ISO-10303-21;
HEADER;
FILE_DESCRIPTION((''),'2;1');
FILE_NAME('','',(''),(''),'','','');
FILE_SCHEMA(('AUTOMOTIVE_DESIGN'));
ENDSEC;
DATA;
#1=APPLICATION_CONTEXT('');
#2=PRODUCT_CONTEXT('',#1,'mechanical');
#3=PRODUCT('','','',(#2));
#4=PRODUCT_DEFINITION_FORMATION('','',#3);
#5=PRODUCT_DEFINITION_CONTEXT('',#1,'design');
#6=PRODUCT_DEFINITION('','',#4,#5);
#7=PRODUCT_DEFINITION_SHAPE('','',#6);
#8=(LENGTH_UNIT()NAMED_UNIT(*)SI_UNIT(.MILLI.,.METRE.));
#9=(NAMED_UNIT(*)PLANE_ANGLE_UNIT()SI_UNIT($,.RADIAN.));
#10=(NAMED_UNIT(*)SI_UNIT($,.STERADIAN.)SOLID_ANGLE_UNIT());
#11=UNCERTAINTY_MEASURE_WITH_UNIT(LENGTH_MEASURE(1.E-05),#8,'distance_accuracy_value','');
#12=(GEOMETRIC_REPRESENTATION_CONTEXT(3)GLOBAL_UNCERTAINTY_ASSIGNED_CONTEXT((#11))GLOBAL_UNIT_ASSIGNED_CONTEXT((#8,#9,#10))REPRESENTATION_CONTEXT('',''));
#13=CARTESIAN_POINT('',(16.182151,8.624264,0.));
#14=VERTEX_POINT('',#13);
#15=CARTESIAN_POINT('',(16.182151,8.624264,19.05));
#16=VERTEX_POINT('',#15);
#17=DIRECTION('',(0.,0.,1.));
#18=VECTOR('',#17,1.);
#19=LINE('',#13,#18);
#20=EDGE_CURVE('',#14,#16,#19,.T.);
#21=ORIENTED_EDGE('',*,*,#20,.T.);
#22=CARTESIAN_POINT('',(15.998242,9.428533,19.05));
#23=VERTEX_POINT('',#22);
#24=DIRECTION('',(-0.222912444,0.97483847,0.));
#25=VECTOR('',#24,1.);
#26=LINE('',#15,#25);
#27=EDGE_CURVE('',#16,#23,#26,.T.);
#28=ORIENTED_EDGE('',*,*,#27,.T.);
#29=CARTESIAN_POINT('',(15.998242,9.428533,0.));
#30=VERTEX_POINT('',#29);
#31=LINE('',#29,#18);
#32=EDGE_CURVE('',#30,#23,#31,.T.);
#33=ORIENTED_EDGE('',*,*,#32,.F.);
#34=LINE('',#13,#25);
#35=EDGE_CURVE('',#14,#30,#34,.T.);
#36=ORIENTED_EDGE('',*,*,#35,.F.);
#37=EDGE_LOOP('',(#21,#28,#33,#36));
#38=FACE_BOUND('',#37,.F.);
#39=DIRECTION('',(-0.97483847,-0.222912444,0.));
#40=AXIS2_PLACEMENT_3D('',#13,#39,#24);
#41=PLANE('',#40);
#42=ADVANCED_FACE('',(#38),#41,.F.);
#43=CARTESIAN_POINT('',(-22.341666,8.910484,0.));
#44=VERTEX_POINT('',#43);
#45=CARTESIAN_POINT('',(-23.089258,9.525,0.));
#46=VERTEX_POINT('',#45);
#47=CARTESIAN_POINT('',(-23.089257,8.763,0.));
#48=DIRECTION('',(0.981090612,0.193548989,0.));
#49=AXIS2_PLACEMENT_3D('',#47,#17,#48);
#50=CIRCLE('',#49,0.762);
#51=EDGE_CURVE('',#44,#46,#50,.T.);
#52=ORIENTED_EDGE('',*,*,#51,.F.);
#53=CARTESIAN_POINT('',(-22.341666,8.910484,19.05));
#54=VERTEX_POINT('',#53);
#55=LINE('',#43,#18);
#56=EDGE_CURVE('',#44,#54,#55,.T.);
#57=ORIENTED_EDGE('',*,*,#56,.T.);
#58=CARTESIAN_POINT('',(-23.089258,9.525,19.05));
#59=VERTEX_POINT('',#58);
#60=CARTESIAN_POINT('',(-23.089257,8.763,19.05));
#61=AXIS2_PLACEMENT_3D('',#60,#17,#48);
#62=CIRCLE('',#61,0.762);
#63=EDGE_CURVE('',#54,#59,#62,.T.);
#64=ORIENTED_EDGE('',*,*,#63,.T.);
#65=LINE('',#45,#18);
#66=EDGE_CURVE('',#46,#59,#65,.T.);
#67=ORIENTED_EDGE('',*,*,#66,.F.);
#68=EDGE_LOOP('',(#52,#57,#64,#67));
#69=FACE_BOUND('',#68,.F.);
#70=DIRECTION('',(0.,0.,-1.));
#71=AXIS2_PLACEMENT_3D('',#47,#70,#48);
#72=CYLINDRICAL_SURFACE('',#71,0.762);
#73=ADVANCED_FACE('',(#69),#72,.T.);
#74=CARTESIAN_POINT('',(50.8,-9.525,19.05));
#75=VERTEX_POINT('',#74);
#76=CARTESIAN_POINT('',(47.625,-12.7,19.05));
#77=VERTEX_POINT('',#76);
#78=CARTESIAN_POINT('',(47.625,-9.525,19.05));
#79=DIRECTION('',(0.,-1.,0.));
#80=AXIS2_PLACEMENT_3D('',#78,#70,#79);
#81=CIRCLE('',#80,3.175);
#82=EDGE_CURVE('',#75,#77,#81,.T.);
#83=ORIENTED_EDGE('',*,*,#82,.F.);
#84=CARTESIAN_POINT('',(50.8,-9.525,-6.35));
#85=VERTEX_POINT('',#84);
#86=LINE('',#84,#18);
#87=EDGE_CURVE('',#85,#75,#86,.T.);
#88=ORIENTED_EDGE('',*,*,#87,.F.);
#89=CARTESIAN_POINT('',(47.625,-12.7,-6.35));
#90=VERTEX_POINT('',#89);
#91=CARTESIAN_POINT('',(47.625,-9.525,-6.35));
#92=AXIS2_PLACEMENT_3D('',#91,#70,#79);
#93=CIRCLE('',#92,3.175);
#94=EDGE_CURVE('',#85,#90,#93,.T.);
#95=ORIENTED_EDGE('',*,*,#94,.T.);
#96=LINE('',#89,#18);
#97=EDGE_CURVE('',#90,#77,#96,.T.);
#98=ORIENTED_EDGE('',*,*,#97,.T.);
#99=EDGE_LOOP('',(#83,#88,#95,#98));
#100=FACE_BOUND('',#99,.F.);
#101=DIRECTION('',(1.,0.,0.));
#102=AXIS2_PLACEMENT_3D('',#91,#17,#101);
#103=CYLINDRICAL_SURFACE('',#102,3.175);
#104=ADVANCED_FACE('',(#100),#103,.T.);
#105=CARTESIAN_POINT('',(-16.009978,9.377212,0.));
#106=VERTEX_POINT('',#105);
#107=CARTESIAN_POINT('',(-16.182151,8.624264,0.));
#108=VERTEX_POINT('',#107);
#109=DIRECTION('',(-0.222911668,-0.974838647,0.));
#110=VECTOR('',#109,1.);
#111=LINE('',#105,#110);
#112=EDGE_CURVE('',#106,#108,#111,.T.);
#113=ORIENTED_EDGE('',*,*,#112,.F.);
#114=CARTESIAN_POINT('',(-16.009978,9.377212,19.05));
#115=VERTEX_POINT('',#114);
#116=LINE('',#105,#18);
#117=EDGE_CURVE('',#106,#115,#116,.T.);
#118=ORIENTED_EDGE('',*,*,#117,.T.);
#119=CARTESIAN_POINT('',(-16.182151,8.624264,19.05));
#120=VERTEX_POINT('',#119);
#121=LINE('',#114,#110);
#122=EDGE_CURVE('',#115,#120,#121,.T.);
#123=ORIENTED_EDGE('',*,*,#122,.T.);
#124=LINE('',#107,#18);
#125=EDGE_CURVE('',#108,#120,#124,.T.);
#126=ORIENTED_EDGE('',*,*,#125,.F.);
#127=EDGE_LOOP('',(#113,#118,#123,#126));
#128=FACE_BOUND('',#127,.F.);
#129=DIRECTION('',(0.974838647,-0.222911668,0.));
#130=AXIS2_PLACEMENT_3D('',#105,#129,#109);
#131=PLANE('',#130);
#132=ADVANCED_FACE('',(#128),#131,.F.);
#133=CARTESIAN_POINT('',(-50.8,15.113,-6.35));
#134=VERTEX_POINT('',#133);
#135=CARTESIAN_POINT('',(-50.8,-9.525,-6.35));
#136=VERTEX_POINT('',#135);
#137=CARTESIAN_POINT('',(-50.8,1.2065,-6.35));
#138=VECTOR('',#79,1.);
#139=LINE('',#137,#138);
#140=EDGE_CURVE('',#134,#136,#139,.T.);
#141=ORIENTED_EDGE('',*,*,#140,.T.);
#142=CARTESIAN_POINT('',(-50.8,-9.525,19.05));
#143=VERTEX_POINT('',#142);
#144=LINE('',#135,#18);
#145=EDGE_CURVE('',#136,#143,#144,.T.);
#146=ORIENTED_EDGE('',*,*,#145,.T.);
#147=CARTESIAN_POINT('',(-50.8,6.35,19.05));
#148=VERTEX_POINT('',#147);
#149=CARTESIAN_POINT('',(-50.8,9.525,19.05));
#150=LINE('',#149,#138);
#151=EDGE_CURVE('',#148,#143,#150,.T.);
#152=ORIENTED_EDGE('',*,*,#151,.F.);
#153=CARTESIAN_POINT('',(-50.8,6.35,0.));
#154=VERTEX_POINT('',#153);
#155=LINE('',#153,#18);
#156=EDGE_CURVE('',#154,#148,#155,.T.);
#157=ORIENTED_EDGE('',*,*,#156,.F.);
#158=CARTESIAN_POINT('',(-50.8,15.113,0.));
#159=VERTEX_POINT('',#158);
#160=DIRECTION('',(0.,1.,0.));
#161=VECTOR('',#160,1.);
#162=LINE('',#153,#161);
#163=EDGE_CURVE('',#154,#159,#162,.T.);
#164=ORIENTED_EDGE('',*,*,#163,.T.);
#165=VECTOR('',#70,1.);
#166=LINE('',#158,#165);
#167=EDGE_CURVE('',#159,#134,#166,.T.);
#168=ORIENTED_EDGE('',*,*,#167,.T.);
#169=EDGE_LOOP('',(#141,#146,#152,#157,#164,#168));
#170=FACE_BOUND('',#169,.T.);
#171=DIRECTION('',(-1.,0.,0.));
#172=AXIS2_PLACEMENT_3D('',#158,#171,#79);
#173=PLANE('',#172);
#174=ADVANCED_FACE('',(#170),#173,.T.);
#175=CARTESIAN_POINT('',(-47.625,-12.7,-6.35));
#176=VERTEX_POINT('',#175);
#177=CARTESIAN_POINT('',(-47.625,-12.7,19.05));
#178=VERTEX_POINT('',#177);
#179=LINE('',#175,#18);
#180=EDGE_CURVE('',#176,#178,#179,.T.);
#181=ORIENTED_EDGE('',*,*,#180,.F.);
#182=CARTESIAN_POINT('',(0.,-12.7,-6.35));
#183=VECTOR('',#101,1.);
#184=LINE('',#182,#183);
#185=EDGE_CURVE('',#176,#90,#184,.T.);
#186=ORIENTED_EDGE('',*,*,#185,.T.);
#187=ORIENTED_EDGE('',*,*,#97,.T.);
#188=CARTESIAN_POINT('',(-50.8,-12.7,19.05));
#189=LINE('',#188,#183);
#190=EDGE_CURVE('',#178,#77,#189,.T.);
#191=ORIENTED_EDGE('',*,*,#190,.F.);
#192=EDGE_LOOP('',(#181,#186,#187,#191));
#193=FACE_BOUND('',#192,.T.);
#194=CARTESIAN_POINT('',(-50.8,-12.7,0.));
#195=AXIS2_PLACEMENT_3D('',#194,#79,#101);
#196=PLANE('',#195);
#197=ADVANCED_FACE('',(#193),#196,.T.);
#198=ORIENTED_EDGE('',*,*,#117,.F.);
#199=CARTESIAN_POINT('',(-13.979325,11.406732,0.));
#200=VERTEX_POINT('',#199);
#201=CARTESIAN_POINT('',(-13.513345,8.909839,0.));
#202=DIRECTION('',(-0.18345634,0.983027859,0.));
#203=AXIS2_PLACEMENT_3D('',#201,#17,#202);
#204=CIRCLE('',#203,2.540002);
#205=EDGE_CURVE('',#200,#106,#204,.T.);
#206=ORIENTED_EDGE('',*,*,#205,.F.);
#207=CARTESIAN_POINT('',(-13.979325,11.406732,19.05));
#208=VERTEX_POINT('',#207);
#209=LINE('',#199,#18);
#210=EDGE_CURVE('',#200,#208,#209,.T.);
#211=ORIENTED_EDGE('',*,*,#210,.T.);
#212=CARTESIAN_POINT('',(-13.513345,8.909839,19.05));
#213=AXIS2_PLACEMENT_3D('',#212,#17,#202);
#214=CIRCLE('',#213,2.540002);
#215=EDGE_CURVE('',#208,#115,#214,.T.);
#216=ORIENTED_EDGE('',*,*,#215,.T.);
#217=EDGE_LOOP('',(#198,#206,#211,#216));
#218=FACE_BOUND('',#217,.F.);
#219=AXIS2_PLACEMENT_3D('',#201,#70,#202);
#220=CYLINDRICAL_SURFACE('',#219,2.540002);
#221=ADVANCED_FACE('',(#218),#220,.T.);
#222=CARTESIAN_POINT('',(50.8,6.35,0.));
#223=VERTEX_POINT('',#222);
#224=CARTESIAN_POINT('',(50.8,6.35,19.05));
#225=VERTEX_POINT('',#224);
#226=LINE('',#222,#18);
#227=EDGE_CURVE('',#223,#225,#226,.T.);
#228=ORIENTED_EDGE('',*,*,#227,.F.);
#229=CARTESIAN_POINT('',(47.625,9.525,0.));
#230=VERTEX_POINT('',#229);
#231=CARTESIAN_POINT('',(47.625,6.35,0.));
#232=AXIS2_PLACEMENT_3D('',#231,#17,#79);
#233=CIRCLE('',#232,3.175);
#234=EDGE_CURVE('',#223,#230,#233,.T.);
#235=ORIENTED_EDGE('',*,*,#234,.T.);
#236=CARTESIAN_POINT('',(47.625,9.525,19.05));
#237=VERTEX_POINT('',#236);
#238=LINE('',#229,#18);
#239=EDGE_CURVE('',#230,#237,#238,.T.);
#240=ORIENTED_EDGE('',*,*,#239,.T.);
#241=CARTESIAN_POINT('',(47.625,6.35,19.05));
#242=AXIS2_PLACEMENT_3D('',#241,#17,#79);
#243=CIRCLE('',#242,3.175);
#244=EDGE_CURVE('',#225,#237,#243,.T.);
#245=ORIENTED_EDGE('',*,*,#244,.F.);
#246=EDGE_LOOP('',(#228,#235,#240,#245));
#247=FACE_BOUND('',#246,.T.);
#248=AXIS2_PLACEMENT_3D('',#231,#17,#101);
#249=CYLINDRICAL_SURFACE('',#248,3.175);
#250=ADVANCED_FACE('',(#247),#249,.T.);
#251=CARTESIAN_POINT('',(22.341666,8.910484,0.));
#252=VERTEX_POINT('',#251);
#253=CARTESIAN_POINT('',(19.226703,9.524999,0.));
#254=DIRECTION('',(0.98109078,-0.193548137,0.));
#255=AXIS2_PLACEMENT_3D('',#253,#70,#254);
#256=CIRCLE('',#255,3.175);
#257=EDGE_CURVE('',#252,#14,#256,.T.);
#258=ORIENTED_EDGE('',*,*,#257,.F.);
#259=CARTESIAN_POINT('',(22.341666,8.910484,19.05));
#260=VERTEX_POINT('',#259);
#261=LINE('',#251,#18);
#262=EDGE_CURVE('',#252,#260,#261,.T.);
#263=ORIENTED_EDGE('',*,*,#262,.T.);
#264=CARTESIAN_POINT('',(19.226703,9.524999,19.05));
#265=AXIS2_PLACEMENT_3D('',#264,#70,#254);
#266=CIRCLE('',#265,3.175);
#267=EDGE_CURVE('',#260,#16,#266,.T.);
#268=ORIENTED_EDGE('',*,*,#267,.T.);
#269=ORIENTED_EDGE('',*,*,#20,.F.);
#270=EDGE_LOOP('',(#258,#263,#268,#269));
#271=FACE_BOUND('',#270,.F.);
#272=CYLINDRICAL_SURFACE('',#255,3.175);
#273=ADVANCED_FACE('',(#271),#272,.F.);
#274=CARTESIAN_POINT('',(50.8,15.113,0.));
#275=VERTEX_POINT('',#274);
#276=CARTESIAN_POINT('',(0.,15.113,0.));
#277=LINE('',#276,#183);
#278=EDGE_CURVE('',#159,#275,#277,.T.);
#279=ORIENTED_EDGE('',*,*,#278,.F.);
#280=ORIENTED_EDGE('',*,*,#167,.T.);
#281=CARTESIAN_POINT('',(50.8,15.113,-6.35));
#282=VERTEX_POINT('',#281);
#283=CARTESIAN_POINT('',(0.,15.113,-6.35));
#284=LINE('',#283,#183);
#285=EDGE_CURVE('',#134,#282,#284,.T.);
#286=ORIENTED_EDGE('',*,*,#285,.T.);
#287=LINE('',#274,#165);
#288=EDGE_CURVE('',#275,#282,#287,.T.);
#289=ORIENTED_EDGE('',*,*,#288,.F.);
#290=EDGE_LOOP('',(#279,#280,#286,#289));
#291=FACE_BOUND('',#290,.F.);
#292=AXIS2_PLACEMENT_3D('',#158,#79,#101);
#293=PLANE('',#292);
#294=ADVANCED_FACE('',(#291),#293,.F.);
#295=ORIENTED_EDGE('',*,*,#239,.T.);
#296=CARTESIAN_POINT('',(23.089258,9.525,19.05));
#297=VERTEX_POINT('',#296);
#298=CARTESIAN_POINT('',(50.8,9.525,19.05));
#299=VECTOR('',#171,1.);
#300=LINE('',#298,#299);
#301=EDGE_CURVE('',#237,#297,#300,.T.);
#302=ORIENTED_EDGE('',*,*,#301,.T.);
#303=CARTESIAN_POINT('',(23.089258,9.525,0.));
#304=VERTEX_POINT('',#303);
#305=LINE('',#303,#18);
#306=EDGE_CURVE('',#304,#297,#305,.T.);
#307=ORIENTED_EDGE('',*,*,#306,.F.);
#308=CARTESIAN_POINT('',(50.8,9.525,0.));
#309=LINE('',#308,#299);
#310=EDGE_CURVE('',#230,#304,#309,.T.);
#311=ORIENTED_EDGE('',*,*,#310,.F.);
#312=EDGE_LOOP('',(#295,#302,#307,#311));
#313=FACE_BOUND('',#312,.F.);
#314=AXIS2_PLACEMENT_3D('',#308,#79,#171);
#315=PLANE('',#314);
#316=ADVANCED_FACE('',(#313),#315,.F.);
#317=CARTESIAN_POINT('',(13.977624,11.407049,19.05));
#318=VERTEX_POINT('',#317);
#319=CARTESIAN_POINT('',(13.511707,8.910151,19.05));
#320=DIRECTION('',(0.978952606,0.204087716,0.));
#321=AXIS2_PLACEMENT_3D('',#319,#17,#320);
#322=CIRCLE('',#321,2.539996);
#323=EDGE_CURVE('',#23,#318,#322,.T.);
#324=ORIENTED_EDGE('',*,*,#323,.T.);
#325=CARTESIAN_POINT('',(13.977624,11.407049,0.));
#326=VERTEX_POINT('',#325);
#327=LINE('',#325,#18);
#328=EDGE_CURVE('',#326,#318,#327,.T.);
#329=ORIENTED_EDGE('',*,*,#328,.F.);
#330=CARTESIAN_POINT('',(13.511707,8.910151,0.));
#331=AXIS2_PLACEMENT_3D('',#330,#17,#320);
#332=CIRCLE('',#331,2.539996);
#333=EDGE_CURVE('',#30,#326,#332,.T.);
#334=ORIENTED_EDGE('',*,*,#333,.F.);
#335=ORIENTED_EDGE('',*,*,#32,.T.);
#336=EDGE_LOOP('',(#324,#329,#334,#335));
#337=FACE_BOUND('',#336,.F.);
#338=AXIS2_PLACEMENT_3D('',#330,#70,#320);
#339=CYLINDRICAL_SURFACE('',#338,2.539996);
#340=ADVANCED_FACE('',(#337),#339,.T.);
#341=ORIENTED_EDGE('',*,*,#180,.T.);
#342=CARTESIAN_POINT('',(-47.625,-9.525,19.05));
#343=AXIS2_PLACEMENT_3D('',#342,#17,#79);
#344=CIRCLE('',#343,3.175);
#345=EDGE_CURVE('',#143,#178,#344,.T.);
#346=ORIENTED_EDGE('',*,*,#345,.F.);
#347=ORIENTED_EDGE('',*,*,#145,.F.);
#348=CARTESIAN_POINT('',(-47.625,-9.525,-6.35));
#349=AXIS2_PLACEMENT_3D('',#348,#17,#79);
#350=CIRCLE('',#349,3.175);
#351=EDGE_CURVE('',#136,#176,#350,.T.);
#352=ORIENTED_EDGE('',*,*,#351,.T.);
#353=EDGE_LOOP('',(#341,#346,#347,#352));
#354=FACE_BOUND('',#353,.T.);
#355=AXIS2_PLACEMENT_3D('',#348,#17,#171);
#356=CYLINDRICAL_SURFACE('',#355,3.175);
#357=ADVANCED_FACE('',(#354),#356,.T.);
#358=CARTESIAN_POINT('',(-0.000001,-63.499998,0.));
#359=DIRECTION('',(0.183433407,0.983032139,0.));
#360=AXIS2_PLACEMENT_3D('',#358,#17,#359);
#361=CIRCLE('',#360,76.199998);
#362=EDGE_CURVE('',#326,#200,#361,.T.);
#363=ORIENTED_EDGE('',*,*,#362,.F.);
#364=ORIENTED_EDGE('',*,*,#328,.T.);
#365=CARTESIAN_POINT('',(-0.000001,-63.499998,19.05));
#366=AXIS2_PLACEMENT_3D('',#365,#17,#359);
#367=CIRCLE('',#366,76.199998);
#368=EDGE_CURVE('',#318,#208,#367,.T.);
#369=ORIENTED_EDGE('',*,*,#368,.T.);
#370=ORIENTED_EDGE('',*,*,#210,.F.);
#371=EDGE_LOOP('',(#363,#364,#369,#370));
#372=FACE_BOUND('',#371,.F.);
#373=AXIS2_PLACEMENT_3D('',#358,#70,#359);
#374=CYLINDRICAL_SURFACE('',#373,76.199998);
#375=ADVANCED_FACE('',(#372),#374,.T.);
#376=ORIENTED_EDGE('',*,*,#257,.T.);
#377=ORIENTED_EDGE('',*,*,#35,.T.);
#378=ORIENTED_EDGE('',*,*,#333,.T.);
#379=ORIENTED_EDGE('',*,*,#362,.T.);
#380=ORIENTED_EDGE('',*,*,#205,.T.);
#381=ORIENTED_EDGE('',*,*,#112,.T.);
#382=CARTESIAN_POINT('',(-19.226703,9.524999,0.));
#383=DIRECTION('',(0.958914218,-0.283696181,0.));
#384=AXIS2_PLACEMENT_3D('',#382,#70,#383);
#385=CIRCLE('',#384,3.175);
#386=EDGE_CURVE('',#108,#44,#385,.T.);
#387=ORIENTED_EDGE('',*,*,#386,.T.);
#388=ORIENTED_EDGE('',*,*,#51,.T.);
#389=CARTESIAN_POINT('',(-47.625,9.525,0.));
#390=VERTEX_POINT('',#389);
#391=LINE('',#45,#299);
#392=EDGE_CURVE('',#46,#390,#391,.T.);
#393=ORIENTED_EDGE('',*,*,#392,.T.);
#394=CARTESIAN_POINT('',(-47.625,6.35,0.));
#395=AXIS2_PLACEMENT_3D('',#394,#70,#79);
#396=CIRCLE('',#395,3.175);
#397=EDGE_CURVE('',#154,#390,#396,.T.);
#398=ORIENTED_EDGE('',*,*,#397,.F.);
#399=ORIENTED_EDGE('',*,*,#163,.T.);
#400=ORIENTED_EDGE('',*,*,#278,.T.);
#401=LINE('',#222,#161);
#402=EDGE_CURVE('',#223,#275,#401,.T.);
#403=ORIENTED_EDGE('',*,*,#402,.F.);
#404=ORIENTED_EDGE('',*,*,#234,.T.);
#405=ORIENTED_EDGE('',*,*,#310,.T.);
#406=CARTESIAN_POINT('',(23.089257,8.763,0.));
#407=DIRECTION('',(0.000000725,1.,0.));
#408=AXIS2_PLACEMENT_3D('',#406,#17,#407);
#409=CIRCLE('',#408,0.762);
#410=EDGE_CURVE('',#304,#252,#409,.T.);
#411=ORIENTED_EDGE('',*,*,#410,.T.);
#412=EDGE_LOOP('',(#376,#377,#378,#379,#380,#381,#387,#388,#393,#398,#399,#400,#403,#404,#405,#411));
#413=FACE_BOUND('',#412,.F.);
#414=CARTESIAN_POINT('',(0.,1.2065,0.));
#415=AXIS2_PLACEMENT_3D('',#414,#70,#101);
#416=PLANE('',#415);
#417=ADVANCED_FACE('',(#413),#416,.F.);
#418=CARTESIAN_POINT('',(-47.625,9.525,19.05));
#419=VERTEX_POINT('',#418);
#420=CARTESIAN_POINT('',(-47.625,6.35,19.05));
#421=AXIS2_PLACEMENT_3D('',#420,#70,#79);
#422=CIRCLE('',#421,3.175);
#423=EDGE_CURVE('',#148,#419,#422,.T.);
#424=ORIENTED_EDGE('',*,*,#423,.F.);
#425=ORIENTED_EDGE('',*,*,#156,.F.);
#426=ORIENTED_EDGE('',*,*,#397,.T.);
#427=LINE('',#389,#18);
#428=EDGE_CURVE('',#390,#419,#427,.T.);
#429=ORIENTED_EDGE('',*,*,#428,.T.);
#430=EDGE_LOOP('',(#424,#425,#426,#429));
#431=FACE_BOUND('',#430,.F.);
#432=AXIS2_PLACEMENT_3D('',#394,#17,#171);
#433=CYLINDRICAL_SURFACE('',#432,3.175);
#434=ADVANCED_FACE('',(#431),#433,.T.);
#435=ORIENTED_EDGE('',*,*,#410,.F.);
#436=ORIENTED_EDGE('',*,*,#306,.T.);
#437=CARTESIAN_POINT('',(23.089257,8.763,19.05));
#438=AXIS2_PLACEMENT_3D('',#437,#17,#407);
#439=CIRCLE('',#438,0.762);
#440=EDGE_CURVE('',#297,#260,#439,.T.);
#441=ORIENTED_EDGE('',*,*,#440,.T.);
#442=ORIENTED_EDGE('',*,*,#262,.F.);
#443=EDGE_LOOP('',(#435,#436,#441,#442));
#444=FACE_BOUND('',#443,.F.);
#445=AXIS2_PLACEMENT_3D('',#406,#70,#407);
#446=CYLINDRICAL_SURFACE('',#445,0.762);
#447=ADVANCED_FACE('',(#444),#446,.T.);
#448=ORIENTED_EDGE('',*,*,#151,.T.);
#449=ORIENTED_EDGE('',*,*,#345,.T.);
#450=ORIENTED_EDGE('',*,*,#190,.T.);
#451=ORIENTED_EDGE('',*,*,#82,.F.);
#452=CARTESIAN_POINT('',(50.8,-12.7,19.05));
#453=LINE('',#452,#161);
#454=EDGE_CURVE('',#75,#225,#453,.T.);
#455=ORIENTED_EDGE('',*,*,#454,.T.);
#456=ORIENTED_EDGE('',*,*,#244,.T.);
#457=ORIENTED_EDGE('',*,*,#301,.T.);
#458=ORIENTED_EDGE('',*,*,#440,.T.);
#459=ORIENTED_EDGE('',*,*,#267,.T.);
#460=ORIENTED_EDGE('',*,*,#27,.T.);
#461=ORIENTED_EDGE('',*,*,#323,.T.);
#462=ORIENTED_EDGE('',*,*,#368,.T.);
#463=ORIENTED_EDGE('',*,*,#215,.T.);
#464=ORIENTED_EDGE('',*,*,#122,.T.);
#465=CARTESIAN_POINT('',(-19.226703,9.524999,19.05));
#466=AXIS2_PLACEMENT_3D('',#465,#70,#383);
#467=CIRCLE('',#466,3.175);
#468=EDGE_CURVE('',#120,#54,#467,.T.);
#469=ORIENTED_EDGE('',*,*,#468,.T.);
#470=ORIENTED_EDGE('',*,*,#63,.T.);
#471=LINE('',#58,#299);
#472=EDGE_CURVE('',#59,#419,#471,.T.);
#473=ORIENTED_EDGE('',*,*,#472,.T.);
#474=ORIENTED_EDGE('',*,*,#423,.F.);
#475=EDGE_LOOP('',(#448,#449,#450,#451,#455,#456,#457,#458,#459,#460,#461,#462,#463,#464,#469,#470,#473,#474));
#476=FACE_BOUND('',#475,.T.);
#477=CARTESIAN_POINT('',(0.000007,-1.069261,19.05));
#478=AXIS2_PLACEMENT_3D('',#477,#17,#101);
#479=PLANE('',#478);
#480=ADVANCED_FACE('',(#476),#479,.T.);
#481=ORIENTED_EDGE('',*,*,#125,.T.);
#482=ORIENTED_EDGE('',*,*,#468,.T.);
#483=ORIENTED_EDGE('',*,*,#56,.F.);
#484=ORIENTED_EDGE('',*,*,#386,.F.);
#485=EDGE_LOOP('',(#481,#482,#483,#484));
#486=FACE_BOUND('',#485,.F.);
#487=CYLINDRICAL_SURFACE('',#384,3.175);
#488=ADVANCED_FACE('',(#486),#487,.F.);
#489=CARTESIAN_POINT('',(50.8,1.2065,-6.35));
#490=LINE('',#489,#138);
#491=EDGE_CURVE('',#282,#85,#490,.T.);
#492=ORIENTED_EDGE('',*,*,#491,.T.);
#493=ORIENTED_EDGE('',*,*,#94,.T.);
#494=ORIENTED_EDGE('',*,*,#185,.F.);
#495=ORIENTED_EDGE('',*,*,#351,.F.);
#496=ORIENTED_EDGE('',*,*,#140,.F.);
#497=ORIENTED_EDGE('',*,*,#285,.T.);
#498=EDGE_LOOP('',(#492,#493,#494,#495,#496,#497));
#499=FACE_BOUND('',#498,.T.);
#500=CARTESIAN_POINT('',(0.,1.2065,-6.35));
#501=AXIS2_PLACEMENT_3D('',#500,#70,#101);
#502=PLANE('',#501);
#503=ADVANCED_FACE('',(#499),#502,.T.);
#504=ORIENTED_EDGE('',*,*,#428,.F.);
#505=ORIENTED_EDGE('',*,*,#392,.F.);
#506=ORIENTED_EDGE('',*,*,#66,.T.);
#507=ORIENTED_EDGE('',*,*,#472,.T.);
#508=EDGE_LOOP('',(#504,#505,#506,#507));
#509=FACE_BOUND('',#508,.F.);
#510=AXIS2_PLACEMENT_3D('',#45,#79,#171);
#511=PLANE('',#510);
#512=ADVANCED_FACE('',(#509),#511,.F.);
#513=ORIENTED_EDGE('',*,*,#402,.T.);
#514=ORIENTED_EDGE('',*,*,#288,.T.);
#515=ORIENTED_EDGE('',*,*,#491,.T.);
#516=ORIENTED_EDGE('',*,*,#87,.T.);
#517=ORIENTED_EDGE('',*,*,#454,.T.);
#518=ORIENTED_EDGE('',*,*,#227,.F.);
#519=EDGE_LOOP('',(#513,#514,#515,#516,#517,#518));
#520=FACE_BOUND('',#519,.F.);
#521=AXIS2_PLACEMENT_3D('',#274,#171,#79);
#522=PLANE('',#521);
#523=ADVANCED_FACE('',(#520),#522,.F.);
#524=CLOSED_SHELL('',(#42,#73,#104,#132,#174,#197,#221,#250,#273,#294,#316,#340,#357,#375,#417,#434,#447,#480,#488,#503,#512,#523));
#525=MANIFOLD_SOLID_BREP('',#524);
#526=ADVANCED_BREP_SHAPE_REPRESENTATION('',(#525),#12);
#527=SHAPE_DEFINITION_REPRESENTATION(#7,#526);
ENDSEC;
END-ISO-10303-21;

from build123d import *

# Parameters (mm, degrees)
F1_DEPTH = 19.05
F2_W     = 101.6
F2_H     = 27.813
F3_DEPTH = 6.35
F4_R     = 3.175


with BuildPart() as f1:
    # F0 (on Top) → F1 (new body)
    with BuildSketch(Plane.XY):
        with BuildLine():
            Line((-50.8, -12.7), (50.8, -12.7))
            Line((50.8, -12.7), (50.8, 9.525))
            Line((50.8, 9.525), (23.089258, 9.525))
            ThreePointArc((23.089258, 9.525), (22.605387, 9.351654), (22.341666, 8.910484))
            ThreePointArc((22.341666, 8.910484), (19.37408, 6.353422), (16.182151, 8.624264))
            Line((16.182151, 8.624264), (15.998242, 9.428533))
            ThreePointArc((15.998242, 9.428533), (15.288748, 10.725007), (13.977624, 11.407049))
            ThreePointArc((13.977624, 11.407049), (-0.000865, 12.7), (-13.979325, 11.406732))
            ThreePointArc((-13.979325, 11.406732), (-15.308897, 10.706393), (-16.009978, 9.377212))
            Line((-16.009978, 9.377212), (-16.182151, 8.624264))
            ThreePointArc((-16.182151, 8.624264), (-19.37408, 6.353422), (-22.341666, 8.910484))
            ThreePointArc((-22.341666, 8.910484), (-22.605387, 9.351654), (-23.089258, 9.525))
            Line((-23.089258, 9.525), (-50.8, 9.525))
            Line((-50.8, 9.525), (-50.8, -12.7))
        make_face()
    extrude(amount=F1_DEPTH)

    # F2 (on face) → F3 (join)
    with BuildSketch(Plane(origin=(0, 0, 0), x_dir=(1, 0, 0), z_dir=(0, 0, -1))):
        with Locations((0, -1.2065)):
            Rectangle(F2_W, F2_H)
    extrude(amount=F3_DEPTH)

    # F4
    f4_edges = [f1.edges().sort_by_distance(p)[0] for p in [
        (50.8, 9.525, 9.525),
        (-50.8, 9.525, 9.525),
        (-50.8, -12.7, 6.35),
        (50.8, -12.7, 6.35),
    ]]
    fillet(f4_edges, radius=F4_R)


solid = f1.part
